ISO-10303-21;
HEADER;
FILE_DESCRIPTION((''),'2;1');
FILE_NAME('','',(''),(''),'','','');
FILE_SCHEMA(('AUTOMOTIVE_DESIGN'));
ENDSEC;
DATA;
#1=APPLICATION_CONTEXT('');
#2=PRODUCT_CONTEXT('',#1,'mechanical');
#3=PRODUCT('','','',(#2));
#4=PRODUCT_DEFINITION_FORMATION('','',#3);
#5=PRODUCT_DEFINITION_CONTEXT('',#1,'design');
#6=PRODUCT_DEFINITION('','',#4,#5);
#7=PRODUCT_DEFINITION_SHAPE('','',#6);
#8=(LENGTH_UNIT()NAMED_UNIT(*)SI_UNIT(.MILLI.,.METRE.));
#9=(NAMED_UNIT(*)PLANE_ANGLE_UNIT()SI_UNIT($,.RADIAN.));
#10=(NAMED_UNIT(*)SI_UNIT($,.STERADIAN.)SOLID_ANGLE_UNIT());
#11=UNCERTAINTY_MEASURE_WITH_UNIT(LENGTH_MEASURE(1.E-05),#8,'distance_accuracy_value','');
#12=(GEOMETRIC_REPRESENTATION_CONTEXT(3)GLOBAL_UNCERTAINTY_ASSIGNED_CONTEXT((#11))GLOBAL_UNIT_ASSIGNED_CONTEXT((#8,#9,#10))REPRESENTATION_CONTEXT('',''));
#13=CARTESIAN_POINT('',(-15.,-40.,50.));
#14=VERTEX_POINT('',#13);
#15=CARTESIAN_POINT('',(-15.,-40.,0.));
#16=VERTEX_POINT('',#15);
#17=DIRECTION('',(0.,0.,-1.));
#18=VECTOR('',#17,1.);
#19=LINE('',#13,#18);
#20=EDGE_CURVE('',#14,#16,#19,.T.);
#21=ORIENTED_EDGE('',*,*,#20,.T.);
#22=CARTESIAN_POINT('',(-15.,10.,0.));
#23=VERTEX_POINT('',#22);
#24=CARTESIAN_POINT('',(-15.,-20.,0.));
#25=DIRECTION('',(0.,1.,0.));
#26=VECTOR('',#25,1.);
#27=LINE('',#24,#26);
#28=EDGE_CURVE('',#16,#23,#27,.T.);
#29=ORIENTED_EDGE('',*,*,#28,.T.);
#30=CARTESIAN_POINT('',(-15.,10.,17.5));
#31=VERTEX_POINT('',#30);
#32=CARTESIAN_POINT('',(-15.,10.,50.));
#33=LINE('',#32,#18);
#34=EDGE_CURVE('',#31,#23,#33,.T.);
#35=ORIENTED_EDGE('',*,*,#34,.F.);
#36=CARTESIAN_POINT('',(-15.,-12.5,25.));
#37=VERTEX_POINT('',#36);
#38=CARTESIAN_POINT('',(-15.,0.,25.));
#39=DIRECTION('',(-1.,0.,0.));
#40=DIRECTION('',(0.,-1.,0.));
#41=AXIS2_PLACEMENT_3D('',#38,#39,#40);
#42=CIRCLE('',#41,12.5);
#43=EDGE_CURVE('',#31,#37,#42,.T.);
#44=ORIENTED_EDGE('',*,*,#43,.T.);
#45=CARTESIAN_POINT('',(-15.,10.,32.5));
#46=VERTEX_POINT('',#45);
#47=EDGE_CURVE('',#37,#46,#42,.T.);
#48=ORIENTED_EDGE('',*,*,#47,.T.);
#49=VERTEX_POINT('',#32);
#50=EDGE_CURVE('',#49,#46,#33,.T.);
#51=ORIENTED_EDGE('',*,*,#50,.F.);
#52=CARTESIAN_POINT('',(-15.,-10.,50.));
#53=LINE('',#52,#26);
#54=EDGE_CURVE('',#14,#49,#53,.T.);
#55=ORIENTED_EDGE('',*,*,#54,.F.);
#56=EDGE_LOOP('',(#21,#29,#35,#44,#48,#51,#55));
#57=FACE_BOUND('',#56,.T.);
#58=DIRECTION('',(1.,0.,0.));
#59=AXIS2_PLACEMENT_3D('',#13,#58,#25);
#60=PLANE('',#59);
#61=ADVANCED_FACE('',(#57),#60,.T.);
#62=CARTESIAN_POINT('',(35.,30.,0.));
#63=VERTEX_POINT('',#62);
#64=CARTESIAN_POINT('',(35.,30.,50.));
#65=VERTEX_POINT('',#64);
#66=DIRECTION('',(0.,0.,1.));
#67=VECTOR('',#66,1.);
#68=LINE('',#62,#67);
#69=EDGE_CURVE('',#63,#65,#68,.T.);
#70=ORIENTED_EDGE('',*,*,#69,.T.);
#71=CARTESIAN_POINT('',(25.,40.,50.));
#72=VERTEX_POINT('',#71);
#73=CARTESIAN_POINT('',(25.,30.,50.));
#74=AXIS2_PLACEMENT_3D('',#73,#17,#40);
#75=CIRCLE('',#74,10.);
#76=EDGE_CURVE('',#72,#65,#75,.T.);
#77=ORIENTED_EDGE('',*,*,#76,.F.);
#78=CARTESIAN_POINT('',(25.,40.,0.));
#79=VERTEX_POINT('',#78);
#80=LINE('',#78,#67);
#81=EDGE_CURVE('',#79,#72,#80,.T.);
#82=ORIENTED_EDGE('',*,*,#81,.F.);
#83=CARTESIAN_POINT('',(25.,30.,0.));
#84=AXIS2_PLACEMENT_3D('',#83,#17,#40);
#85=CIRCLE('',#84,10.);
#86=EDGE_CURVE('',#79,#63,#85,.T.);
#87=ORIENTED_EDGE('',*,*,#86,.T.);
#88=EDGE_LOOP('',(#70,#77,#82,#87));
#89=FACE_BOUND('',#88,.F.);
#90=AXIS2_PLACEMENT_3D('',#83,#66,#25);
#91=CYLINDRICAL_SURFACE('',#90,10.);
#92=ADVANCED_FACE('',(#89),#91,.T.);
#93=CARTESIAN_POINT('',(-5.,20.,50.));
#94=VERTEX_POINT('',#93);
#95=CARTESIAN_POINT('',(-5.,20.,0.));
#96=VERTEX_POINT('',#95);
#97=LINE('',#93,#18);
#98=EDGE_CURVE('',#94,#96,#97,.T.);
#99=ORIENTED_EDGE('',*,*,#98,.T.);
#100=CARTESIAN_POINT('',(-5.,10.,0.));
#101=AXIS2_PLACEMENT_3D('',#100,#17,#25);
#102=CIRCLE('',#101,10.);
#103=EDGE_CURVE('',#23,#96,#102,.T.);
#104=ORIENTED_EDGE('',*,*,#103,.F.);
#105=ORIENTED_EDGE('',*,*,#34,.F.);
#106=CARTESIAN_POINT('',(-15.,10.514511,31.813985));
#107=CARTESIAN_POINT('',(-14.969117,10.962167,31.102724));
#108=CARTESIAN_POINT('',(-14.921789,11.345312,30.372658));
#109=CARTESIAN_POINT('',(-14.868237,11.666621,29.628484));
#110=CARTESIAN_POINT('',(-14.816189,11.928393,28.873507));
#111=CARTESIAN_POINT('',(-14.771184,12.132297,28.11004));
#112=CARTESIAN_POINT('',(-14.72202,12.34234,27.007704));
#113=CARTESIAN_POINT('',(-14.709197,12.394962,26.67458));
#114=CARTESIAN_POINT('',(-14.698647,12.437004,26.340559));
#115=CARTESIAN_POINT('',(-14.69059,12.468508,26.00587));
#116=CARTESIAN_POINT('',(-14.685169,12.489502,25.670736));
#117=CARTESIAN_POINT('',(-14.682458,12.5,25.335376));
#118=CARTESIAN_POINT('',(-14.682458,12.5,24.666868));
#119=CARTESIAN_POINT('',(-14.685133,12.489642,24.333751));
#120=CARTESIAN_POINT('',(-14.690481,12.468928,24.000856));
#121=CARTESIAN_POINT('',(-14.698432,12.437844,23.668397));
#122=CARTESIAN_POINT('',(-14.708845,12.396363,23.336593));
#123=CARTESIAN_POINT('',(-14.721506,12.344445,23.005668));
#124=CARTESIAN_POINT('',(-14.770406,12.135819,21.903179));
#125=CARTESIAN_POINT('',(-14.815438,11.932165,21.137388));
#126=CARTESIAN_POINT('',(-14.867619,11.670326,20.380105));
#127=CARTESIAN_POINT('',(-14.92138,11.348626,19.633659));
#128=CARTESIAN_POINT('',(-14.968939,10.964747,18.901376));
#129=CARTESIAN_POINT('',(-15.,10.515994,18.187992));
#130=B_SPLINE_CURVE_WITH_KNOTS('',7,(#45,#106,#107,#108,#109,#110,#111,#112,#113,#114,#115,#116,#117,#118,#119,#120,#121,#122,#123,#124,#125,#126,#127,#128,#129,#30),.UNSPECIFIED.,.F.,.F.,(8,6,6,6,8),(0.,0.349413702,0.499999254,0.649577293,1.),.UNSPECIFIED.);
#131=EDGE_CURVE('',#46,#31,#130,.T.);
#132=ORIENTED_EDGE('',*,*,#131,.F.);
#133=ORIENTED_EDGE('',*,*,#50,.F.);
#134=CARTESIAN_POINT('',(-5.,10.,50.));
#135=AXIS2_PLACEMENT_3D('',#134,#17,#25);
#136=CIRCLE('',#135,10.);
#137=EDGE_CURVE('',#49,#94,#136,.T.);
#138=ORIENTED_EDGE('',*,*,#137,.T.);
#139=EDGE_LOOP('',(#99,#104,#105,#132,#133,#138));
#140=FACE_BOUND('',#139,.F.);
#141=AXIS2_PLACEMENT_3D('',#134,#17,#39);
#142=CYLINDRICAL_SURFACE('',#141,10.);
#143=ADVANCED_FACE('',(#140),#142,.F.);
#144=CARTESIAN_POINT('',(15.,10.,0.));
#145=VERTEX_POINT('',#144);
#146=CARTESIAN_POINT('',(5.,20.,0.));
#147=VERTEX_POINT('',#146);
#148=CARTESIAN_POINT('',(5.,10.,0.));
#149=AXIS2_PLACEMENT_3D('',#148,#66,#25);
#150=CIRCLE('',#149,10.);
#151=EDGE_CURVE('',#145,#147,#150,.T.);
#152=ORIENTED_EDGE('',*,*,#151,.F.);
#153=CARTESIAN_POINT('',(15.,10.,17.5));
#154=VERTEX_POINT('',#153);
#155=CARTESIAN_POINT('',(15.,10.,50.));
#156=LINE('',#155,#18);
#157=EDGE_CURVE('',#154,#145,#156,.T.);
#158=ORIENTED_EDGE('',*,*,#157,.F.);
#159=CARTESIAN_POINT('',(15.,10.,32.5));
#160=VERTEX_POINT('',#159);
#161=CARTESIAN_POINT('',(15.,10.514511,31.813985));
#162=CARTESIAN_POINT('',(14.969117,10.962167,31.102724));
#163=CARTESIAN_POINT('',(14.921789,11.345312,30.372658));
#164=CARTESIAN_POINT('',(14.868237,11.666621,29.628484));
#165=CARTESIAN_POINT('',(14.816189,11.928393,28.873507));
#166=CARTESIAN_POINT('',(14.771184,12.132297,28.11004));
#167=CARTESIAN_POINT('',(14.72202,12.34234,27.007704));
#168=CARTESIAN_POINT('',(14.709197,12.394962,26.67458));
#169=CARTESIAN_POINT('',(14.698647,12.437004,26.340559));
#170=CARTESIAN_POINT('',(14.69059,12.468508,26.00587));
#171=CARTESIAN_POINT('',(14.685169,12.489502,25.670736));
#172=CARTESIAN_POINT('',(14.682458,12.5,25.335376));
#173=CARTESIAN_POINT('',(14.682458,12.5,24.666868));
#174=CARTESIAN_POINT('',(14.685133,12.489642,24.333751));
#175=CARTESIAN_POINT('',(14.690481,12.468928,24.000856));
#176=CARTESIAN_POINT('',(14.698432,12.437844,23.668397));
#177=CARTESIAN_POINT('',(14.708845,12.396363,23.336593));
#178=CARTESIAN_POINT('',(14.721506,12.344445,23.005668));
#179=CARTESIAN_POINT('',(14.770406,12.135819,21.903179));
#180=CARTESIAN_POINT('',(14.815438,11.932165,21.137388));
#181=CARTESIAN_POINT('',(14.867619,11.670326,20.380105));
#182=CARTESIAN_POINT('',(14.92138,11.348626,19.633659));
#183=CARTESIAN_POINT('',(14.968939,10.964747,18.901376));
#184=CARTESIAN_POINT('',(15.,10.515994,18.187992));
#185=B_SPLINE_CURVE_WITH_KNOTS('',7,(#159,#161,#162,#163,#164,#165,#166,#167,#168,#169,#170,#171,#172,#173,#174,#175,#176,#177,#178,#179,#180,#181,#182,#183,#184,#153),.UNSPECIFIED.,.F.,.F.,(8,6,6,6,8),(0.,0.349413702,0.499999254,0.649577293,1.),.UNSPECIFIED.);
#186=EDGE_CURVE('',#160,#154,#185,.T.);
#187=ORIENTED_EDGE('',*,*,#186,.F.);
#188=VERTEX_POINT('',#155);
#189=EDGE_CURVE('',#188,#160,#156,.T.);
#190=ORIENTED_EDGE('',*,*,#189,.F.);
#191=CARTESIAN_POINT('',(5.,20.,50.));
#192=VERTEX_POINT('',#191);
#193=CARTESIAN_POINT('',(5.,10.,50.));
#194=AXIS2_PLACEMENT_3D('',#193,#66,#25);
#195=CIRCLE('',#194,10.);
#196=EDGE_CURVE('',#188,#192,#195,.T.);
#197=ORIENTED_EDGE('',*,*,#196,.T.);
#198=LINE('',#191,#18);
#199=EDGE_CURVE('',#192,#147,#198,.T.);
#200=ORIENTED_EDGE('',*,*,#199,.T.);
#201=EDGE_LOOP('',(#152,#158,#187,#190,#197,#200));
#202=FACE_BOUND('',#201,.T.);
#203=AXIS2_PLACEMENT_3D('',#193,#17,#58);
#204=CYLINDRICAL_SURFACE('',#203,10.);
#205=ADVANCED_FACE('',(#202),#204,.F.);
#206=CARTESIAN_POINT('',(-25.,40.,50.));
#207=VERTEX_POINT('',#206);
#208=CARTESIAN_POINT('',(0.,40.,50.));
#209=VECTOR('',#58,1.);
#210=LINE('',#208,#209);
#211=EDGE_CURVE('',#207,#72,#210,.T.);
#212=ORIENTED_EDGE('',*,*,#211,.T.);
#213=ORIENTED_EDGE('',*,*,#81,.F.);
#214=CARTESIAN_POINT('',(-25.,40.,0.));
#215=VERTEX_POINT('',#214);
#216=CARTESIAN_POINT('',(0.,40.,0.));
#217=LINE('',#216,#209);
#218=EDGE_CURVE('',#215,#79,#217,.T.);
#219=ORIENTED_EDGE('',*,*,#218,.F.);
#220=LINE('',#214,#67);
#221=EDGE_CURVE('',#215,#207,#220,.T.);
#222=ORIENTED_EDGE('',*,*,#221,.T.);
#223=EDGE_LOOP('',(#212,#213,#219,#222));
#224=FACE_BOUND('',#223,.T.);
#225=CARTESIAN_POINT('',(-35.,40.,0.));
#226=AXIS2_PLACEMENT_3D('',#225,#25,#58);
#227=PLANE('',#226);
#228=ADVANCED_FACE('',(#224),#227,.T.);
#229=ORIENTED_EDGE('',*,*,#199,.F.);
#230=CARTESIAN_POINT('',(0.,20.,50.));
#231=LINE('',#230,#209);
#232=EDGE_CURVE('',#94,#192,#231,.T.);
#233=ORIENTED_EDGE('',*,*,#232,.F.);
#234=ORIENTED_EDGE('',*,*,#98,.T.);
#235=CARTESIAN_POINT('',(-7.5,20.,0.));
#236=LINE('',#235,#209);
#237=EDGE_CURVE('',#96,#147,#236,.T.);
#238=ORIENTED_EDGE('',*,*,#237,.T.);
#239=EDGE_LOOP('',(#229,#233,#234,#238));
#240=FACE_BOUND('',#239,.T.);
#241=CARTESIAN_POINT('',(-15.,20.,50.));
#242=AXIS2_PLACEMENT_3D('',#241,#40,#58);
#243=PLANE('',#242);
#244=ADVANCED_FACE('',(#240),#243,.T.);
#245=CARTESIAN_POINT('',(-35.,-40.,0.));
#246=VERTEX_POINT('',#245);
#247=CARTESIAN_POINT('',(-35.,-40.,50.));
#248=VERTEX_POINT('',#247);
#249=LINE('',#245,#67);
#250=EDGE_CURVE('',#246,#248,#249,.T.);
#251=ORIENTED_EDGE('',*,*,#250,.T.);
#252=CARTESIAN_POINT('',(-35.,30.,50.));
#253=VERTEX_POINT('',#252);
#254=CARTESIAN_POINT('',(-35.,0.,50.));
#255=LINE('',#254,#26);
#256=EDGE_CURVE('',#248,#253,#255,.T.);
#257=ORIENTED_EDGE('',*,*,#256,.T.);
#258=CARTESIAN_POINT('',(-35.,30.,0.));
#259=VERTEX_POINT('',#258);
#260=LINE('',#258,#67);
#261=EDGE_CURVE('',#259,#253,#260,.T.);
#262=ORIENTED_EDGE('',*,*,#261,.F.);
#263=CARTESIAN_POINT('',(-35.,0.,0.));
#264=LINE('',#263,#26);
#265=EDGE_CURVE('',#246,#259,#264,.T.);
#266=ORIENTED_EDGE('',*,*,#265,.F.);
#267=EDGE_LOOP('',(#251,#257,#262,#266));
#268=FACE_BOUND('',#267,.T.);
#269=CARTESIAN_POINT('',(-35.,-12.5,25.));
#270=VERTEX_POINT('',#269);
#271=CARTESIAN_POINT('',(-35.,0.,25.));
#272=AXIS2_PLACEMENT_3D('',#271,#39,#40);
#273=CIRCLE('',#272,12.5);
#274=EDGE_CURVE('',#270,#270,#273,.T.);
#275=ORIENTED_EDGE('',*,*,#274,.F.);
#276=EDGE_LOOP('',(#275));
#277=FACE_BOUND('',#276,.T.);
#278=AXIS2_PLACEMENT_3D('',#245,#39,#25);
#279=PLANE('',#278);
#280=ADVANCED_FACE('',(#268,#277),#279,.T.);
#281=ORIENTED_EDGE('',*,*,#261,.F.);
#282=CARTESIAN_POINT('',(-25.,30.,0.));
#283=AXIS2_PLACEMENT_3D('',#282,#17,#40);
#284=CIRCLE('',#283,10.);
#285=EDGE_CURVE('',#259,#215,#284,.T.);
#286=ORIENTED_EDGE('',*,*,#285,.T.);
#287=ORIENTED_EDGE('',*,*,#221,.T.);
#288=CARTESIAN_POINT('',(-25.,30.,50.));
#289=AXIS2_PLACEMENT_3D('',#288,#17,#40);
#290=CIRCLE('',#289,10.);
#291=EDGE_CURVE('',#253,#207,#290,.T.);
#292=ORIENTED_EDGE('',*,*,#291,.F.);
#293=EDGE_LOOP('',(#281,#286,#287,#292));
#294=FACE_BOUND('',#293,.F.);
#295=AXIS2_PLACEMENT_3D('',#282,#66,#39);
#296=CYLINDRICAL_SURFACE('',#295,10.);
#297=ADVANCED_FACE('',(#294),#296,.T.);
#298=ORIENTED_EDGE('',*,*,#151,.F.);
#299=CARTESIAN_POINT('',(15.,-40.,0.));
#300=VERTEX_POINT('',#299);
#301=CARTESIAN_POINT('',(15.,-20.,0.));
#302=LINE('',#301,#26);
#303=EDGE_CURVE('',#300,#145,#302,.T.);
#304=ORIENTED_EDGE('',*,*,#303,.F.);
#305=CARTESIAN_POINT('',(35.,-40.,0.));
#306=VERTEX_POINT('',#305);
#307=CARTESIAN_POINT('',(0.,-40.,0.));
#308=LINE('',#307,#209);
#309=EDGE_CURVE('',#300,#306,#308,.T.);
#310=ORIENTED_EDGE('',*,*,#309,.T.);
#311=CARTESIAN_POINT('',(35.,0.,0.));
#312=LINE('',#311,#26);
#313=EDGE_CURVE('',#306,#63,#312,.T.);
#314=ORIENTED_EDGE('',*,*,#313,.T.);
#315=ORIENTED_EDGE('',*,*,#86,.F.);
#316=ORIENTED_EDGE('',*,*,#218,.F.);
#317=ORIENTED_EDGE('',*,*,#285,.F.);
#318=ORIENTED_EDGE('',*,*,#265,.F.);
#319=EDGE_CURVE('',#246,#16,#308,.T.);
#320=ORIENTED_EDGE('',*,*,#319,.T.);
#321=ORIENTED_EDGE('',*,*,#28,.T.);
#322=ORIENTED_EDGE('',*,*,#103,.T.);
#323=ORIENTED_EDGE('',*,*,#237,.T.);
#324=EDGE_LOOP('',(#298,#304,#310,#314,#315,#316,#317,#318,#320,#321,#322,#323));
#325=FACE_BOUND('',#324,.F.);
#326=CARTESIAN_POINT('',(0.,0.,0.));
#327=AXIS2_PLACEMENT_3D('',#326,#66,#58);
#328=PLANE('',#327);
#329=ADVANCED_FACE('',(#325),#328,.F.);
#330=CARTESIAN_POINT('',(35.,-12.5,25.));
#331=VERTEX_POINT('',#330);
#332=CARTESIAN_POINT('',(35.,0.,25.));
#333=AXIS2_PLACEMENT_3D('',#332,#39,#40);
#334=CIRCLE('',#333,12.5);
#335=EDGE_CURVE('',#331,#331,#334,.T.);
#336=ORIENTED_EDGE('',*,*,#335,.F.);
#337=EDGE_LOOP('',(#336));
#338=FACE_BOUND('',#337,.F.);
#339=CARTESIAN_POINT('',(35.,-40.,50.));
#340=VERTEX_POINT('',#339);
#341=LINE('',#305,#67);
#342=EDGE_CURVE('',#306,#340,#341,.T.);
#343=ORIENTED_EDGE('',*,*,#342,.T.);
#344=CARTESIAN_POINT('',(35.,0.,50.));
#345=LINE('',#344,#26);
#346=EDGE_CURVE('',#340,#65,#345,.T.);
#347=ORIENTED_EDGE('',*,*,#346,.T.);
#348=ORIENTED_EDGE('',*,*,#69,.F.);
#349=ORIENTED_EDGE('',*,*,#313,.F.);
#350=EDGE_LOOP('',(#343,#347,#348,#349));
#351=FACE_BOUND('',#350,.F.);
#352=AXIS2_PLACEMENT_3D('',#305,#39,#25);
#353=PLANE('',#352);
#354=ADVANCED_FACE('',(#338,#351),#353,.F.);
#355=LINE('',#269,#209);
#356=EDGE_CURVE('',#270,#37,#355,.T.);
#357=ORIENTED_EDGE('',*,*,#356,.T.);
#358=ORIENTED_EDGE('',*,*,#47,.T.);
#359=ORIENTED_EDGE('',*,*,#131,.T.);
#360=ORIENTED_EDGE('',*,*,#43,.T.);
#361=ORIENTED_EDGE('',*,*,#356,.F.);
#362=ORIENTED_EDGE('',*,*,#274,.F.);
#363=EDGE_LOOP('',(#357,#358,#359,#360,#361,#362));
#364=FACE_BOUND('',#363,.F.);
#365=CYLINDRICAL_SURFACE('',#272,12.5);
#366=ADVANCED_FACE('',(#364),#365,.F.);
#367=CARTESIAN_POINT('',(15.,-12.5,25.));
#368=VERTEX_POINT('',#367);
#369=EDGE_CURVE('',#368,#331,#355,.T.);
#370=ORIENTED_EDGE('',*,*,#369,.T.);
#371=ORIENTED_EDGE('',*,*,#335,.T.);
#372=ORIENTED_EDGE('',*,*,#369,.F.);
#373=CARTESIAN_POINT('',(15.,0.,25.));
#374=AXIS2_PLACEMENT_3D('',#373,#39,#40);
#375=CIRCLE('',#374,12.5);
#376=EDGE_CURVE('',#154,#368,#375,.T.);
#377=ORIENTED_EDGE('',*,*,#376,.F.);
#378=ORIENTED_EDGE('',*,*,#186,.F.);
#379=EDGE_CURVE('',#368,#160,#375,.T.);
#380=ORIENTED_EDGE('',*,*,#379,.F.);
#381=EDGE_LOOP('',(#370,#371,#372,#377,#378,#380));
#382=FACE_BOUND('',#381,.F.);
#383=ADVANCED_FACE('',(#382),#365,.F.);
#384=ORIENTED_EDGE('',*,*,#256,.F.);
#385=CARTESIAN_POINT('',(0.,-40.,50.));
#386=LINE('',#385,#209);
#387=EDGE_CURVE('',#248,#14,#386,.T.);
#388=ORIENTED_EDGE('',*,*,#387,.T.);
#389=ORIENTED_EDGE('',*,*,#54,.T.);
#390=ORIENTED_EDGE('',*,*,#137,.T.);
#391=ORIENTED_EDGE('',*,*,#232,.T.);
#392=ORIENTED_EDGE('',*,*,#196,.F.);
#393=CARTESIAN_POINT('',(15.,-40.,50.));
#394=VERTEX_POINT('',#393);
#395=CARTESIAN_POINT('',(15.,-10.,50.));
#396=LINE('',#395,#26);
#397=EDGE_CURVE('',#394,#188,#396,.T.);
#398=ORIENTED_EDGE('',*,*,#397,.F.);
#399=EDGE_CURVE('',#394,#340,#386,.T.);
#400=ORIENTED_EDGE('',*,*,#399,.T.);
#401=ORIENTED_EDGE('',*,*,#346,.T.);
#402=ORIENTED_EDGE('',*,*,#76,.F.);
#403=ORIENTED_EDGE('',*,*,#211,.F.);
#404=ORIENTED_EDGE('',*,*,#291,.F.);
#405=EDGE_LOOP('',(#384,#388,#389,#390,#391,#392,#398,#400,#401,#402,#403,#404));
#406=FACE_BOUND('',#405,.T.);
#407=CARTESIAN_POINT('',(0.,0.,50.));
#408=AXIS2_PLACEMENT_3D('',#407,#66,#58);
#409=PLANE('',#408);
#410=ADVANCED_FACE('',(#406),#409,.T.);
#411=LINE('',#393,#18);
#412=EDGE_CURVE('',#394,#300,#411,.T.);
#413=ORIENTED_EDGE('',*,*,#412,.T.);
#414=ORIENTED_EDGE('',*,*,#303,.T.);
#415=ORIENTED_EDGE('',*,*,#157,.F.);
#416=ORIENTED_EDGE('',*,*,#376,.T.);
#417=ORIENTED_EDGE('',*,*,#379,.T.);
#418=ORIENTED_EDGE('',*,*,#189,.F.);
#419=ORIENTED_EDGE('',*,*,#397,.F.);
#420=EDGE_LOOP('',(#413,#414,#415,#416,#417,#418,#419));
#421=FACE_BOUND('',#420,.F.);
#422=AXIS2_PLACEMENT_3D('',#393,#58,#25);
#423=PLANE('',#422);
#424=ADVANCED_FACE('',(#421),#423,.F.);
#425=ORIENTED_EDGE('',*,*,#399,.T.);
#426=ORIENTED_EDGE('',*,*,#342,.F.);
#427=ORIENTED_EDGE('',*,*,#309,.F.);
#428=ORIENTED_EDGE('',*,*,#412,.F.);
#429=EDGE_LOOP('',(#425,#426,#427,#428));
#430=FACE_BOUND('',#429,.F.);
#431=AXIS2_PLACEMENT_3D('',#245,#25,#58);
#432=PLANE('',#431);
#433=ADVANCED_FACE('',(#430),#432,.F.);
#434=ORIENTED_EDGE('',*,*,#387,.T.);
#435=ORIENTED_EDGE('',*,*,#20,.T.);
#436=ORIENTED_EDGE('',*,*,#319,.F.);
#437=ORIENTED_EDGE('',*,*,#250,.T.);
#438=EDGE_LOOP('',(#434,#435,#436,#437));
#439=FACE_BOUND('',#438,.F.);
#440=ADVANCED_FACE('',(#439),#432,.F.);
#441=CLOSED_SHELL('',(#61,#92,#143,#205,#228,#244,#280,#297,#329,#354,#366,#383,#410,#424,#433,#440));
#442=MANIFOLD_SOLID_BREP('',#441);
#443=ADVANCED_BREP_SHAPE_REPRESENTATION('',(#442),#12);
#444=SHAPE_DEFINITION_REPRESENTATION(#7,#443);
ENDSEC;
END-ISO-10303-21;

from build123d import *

# Parameters (mm, degrees)
F0_W     = 70
F0_H     = 80
F1_DEPTH = 50
F2_W     = 30
F2_H     = 60
F3_DEPTH = 64
F4_R     = 10
F5_R     = 12.5
F6_DEPTH = 96.7


with BuildPart() as f1:
    # F0 (on Top) → F1 (new body)
    with BuildSketch(Plane.XY):
        Rectangle(F0_W, F0_H)
    extrude(amount=F1_DEPTH)

    # F2 (on face) → F3 (cut)
    with BuildSketch(Plane.XY.offset(50)):
        with Locations((0, -10)):
            Rectangle(F2_W, F2_H)
    extrude(amount=-F3_DEPTH, mode=Mode.SUBTRACT)

    # F4
    f4_edges = [f1.edges().sort_by_distance(p)[0] for p in [
        (35, 40, 25),
        (-35, 40, 25),
        (-15, 20, 25),
        (15, 20, 25),
    ]]
    fillet(f4_edges, radius=F4_R)

    # F5 (on face) → F6 (cut)
    with BuildSketch(Plane(origin=(-35, 0, 0), x_dir=(0, -1, 0), z_dir=(-1, 0, 0))):
        with Locations((0, 25)):
            Circle(F5_R)
    extrude(amount=-F6_DEPTH, mode=Mode.SUBTRACT)


solid = f1.part
